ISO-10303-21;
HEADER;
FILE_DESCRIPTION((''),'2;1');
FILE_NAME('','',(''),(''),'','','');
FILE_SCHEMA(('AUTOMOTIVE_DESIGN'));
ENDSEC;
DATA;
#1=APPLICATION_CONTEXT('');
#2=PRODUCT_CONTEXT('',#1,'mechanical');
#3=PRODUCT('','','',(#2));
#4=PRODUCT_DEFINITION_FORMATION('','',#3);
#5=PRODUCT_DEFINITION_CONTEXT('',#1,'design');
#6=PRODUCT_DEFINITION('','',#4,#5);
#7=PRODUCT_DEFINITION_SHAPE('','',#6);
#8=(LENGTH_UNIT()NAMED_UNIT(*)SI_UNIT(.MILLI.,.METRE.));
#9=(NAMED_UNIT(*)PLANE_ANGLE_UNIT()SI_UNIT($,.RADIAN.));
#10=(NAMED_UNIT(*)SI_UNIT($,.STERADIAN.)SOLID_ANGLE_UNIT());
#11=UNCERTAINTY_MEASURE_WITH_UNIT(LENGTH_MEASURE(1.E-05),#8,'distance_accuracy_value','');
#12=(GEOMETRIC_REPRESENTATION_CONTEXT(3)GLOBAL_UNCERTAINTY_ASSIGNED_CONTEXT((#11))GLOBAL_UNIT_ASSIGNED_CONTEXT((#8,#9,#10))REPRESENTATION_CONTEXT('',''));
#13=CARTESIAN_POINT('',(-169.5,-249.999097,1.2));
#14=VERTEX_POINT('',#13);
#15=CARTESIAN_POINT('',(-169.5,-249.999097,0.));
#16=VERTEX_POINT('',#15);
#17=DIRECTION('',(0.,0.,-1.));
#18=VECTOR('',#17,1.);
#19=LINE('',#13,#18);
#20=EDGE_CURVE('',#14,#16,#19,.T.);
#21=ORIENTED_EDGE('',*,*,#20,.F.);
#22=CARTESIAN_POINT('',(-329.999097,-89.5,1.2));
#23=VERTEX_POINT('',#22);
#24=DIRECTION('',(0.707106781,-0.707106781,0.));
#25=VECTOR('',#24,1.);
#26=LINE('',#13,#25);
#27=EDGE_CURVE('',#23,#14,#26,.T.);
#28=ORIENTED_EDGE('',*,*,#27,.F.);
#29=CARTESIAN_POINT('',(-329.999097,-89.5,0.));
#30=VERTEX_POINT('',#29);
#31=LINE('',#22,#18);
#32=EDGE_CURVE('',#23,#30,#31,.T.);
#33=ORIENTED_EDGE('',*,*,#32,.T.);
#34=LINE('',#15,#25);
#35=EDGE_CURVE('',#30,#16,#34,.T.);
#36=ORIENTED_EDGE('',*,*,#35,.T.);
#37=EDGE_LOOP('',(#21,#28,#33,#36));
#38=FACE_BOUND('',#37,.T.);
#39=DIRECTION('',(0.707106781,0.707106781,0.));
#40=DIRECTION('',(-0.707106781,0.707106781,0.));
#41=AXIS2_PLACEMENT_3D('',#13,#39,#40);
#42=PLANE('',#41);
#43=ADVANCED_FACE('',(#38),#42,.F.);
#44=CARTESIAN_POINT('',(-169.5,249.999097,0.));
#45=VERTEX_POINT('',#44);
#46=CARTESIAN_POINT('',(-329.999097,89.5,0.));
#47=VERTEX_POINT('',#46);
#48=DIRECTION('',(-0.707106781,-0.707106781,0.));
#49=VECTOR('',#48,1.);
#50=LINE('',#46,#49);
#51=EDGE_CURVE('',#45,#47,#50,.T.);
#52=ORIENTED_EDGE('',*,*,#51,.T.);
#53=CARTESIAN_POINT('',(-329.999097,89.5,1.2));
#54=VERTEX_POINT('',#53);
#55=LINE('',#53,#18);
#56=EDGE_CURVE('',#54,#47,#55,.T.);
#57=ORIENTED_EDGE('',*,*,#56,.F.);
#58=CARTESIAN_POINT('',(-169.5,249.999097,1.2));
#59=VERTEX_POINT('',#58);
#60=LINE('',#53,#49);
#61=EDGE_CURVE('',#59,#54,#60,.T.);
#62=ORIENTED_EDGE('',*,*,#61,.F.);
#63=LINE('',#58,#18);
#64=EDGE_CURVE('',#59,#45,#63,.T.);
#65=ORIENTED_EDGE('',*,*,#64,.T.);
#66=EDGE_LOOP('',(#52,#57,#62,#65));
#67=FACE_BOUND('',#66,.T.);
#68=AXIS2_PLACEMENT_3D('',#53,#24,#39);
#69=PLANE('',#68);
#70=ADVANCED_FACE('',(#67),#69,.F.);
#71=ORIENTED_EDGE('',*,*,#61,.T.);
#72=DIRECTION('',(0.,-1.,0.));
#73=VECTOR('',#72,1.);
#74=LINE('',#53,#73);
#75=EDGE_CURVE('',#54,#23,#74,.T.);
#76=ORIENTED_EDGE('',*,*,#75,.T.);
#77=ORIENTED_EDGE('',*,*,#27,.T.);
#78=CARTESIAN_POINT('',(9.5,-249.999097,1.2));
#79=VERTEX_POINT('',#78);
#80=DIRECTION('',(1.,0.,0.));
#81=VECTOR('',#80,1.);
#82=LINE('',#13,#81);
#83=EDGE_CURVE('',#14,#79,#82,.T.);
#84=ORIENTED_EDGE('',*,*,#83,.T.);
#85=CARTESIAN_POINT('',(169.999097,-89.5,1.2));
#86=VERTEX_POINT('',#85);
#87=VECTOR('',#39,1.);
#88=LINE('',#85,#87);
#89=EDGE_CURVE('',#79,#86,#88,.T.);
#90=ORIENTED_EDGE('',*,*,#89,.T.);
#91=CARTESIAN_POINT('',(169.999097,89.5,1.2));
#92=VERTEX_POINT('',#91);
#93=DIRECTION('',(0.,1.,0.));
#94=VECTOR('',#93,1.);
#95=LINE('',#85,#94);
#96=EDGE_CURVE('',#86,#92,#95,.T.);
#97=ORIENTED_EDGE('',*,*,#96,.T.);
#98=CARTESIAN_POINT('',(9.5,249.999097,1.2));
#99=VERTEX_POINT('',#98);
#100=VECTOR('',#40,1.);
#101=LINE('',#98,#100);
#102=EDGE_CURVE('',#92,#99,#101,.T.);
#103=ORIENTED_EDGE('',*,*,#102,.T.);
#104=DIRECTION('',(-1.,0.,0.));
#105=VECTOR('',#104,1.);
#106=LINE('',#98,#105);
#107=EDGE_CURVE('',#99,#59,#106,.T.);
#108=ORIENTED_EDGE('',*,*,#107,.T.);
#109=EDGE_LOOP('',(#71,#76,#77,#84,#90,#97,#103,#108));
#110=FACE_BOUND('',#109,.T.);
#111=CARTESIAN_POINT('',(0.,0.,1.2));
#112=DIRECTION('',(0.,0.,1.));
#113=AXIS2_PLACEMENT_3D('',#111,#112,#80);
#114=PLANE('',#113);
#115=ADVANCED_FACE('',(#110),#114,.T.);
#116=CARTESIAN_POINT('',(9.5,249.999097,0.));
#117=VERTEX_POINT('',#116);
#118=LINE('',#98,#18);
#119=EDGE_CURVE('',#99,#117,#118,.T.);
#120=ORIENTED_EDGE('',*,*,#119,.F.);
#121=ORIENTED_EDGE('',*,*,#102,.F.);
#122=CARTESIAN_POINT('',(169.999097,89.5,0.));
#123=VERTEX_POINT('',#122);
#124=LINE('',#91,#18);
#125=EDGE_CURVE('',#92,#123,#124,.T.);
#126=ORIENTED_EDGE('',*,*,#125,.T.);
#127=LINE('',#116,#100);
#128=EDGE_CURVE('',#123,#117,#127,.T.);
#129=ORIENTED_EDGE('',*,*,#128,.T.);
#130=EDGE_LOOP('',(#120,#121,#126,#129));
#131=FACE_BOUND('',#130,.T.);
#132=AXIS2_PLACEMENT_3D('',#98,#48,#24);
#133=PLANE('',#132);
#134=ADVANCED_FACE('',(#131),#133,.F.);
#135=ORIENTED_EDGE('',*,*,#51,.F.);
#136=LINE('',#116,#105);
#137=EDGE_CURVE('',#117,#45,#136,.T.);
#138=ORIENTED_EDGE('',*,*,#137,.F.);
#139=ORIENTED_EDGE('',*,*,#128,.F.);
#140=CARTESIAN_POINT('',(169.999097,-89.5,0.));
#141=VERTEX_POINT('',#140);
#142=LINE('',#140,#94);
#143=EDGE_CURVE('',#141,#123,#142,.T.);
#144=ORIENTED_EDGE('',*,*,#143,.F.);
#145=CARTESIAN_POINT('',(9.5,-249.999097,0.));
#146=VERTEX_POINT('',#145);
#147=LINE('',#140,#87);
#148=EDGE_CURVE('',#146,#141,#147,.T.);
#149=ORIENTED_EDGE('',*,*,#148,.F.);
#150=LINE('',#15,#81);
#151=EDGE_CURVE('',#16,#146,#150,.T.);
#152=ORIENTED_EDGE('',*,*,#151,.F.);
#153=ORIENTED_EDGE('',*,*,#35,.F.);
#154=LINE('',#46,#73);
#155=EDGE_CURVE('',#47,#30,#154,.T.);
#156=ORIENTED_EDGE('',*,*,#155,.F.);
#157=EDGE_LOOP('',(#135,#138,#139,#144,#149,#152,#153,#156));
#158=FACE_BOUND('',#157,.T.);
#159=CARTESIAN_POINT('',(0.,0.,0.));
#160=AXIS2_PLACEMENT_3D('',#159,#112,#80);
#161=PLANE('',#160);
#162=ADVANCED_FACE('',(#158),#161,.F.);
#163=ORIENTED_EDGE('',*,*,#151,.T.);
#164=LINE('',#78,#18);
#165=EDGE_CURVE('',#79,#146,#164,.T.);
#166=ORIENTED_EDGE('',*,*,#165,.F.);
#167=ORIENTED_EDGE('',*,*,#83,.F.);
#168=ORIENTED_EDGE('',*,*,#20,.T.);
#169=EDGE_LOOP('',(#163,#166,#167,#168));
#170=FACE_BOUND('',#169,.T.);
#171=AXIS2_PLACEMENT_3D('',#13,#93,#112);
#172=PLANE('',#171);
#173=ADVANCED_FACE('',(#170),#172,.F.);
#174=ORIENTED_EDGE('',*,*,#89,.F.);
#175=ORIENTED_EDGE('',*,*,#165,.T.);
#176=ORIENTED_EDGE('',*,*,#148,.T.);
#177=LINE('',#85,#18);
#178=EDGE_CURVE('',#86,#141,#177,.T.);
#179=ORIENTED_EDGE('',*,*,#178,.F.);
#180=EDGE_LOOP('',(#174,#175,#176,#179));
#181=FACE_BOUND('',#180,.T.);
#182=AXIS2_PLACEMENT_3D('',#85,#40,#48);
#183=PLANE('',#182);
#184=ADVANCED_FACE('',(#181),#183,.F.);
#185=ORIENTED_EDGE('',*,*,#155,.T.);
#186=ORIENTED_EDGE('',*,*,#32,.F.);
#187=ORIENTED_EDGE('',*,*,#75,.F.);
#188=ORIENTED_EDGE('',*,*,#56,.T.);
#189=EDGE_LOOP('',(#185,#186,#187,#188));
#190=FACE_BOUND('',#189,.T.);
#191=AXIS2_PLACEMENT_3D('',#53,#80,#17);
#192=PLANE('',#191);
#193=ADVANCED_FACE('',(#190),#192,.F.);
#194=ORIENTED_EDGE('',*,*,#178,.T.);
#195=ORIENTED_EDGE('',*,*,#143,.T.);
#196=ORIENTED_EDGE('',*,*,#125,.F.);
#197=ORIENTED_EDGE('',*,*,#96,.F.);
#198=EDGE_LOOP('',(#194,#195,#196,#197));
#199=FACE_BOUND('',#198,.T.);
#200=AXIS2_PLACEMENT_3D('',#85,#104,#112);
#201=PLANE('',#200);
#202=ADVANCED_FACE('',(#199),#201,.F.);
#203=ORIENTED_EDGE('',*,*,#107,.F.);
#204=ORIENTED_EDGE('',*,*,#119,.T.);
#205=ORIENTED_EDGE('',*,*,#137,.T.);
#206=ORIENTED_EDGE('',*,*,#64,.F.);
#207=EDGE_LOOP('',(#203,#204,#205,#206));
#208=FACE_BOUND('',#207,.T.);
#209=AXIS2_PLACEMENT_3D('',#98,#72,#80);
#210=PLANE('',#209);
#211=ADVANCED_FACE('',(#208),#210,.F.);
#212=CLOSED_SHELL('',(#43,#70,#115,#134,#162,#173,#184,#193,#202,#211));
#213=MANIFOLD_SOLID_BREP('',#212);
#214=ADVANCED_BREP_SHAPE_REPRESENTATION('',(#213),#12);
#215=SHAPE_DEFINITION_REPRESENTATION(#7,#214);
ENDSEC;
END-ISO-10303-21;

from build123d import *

# Parameters (mm, degrees)
BOSS_EXTRUDE1_DEPTH = 1.2


with BuildPart() as part:
    # Sketch1 → Boss-Extrude1 (new body)
    with BuildSketch(Plane.XY):
        Polygon((9.5, 249.999097194), (169.999097194, 89.5), (169.999097194, -89.5), (9.5, -249.999097194), (-169.5, -249.999097194), (-329.999097194, -89.5), (-329.999097194, 89.5), (-169.5, 249.999097194), align=None)
    extrude(amount=BOSS_EXTRUDE1_DEPTH)


solid = part.part
